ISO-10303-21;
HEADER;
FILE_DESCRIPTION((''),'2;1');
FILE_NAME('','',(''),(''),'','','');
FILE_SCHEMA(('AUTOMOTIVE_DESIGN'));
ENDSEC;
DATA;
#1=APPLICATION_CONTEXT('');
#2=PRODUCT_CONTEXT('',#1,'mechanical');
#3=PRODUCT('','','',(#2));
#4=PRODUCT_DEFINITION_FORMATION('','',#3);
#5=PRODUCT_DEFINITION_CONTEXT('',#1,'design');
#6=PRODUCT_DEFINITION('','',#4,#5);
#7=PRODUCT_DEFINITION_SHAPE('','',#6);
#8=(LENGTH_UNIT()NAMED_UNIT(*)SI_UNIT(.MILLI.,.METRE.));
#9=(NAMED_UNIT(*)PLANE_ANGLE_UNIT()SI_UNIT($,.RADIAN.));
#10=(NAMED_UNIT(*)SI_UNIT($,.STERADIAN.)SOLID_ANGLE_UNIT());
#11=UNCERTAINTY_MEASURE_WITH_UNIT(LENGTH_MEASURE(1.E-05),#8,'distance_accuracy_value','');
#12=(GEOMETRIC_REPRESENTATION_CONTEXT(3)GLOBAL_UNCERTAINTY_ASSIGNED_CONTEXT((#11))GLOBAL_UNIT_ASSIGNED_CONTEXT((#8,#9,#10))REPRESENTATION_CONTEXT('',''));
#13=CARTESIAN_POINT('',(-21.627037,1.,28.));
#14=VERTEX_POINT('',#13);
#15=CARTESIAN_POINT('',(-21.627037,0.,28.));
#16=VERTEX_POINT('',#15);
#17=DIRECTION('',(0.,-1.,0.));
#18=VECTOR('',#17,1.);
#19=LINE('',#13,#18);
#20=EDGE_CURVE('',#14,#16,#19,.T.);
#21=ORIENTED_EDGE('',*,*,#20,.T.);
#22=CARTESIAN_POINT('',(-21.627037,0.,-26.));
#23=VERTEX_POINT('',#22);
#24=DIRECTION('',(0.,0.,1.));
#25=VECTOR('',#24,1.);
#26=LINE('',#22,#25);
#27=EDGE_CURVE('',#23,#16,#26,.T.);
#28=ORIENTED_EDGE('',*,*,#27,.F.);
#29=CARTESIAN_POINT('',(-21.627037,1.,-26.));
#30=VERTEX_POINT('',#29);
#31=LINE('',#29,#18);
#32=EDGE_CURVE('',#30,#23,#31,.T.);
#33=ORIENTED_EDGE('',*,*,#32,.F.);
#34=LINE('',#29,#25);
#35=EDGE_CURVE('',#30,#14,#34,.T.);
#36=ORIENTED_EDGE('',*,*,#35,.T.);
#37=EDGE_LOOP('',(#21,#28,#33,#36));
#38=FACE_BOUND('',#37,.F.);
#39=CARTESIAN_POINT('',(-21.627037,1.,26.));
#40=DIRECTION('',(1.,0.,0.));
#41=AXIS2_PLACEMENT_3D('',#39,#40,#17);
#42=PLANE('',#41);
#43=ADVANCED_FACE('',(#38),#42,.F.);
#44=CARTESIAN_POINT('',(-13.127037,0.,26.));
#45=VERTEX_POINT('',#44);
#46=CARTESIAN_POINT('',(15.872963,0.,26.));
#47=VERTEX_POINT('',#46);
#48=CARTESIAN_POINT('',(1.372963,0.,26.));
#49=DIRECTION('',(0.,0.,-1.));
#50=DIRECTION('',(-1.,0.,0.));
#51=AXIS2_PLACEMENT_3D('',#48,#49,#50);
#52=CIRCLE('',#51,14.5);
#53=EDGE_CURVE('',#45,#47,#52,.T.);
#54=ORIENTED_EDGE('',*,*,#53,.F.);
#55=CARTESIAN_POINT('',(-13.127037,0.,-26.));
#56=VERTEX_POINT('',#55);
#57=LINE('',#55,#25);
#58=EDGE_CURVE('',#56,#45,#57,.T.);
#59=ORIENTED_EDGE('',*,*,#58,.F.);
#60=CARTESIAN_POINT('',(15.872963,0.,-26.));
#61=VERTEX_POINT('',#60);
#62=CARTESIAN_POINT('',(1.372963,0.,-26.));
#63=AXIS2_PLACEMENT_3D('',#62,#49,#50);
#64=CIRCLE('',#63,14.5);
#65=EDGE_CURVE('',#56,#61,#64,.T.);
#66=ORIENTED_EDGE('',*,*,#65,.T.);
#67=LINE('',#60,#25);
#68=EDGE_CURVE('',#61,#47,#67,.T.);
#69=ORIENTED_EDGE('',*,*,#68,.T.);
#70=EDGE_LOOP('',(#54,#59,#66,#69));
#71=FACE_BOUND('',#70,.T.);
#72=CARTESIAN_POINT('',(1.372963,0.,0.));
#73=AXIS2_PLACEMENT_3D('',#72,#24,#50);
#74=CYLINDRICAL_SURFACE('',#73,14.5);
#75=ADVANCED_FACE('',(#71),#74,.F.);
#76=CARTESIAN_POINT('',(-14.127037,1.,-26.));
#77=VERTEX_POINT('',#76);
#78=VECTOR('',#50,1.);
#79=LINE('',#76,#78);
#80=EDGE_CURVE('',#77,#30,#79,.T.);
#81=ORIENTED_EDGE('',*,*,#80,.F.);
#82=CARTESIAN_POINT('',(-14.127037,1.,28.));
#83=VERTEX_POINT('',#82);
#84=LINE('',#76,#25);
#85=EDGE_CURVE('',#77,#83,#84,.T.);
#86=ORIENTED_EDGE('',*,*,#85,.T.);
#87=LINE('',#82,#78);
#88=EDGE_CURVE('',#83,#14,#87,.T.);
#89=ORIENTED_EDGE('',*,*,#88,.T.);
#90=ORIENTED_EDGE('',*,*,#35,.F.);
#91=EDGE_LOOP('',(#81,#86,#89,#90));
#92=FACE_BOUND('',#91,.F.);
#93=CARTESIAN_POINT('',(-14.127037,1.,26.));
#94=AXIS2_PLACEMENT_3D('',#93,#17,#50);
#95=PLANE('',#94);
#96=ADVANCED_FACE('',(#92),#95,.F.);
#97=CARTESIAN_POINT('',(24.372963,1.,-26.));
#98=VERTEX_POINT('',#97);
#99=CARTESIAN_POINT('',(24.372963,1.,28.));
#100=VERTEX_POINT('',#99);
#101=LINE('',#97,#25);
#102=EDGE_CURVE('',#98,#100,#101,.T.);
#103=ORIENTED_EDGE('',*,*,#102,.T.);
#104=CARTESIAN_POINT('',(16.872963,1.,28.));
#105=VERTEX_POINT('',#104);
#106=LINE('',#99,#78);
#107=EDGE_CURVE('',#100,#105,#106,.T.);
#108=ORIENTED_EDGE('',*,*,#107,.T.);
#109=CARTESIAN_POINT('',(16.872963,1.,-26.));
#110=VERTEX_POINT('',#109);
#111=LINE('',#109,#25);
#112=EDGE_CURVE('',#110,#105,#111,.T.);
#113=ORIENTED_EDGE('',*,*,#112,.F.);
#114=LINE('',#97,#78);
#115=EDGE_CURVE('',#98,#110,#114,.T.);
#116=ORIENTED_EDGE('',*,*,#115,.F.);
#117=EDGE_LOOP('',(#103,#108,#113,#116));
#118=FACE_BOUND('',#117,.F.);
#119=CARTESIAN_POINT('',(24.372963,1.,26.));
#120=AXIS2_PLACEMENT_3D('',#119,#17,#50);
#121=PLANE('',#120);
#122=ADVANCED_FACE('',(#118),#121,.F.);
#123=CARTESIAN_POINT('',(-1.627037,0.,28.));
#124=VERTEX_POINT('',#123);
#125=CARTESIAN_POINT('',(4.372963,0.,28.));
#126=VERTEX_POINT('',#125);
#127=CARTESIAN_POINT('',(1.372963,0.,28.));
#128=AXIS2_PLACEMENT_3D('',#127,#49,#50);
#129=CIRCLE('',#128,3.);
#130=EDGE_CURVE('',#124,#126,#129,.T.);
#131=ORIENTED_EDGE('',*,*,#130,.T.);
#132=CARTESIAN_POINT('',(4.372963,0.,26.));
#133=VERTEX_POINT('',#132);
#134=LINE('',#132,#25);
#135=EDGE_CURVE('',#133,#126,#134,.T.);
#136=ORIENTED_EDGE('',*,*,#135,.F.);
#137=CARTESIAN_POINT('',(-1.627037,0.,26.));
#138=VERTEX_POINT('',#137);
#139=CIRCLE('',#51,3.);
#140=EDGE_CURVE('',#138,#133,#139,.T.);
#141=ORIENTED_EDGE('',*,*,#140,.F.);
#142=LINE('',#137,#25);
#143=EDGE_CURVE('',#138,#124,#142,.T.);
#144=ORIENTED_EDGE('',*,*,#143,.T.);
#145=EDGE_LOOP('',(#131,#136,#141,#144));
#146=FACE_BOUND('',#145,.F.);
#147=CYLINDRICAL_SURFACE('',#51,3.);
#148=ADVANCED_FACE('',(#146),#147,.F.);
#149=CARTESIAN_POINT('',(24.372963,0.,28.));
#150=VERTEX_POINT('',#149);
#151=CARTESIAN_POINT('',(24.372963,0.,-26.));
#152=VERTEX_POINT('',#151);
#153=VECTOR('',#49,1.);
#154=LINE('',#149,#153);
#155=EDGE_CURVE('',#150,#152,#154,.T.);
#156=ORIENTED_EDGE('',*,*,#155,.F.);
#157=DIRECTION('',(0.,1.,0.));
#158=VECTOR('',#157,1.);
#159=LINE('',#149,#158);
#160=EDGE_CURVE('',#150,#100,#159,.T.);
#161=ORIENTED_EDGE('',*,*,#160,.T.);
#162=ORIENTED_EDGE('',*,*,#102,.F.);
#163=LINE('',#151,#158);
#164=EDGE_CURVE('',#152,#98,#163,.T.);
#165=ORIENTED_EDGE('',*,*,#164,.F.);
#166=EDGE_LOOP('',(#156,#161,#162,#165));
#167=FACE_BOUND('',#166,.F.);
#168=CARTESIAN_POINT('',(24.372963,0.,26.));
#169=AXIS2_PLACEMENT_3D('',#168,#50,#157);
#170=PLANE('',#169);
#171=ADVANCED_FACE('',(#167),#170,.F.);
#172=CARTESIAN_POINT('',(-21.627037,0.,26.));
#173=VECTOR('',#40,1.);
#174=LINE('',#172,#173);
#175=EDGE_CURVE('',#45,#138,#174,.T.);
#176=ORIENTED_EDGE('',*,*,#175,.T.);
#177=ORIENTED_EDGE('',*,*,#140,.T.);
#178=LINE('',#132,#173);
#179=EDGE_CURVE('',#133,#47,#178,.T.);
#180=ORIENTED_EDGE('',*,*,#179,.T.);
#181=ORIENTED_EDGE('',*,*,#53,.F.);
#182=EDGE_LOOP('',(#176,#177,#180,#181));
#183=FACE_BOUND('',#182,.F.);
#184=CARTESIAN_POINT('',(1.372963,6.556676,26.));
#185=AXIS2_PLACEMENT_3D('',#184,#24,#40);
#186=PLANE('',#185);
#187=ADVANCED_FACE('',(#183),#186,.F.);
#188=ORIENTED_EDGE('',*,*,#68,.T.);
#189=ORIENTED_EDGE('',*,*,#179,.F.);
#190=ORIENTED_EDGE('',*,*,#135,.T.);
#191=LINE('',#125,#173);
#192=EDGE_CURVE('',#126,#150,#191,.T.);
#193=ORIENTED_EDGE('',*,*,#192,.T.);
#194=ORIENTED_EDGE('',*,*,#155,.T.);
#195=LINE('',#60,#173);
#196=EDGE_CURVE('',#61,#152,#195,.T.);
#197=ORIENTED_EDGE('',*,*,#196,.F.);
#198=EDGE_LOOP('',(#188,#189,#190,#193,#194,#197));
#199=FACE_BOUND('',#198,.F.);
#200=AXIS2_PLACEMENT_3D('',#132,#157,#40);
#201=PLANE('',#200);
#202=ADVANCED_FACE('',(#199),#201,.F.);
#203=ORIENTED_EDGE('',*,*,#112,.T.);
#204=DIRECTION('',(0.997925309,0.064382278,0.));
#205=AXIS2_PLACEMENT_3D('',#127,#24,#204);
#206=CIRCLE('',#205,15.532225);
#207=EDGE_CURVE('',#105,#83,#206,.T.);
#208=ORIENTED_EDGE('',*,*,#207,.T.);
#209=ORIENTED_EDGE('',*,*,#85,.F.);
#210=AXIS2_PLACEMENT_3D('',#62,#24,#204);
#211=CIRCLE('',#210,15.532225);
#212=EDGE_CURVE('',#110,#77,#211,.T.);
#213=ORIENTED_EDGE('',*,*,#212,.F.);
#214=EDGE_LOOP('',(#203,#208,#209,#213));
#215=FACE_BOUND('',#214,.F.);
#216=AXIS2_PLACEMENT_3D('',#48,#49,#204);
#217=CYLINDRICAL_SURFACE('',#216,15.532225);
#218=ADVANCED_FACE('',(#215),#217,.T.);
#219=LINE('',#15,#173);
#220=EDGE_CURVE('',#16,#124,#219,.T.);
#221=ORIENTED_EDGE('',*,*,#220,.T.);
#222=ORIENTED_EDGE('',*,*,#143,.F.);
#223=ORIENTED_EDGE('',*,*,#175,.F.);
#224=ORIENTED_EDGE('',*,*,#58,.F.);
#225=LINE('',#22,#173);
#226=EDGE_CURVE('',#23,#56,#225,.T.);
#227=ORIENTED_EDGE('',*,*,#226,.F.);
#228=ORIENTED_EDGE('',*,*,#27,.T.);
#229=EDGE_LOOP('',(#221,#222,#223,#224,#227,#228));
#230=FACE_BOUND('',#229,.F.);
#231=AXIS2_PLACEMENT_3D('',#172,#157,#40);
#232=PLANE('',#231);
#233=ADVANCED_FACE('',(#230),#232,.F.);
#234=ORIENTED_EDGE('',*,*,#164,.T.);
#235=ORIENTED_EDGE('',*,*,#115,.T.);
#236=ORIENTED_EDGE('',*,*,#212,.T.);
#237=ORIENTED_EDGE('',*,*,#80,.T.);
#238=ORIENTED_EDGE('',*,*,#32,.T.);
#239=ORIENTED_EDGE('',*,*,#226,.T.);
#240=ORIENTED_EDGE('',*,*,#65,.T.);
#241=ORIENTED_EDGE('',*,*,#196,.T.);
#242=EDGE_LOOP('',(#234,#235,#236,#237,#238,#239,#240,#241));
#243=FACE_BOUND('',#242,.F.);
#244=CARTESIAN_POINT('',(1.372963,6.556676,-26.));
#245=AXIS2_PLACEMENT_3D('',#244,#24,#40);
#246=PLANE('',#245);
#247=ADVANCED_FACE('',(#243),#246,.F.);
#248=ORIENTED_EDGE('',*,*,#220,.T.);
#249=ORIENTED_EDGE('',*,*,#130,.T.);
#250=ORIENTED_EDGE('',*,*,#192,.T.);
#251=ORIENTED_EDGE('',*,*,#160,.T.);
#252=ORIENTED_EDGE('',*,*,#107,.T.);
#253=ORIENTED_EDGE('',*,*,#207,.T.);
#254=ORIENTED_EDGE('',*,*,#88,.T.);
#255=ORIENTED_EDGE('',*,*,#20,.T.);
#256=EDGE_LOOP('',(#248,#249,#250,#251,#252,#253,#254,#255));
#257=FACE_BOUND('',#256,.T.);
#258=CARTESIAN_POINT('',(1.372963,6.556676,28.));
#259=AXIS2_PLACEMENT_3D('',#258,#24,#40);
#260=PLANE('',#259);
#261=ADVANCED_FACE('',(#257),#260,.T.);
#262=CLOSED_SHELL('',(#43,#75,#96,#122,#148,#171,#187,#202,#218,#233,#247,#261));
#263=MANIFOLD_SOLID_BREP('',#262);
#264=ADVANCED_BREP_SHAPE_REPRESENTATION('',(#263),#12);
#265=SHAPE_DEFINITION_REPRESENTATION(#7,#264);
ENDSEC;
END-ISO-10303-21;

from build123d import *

# Parameters (mm, degrees)
F1_DEPTH = 26
F3_DEPTH = 2


with BuildPart() as f1:
    # F0 (on Top) → F1 (new body, symmetric)
    with BuildSketch(Plane.XY):
        with BuildLine():
            Line((-21.6270365771, 1), (-21.6270365771, 0))
            Line((-21.6270365771, 0), (-13.1270365771, 0))
            ThreePointArc((-13.1270365771, 0), (1.3729634229, 14.5), (15.8729634229, 0))
            Line((15.8729634229, 0), (24.3729634229, 0))
            Line((24.3729634229, 0), (24.3729634229, 1))
            Line((24.3729634229, 1), (16.8729634229, 1))
            ThreePointArc((16.8729634229, 1), (1.3729634229, 15.532224567), (-14.1270365771, 1))
            Line((-14.1270365771, 1), (-21.6270365771, 1))
        make_face()
    extrude(amount=F1_DEPTH, both=True)

    # F2 (on face) → F3 (join)
    with BuildSketch(Plane.XY.offset(26)):
        with BuildLine():
            ThreePointArc((-13.1270365771, 0), (1.3729634229, 14.5), (15.8729634229, 0))
            Line((15.8729634229, 0), (24.3729634229, 0))
            Line((24.3729634229, 0), (24.3729634229, 1))
            Line((24.3729634229, 1), (16.8729634229, 1))
            ThreePointArc((16.8729634229, 1), (1.3729634229, 15.532224567), (-14.1270365771, 1))
            Line((-14.1270365771, 1), (-21.6270365771, 1))
            Line((-21.6270365771, 1), (-21.6270365771, 0))
            Line((-21.6270365771, 0), (-13.1270365771, 0))
        make_face()
        with BuildLine():
            ThreePointArc((-1.6270365771, 0), (1.3729634229, 3), (4.3729634229, 0))
            Line((4.3729634229, 0), (15.8729634229, 0))
            ThreePointArc((15.8729634229, 0), (1.3729634229, 14.5), (-13.1270365771, 0))
            Line((-13.1270365771, 0), (-1.6270365771, 0))
        make_face()
    extrude(amount=F3_DEPTH)


solid = f1.part
